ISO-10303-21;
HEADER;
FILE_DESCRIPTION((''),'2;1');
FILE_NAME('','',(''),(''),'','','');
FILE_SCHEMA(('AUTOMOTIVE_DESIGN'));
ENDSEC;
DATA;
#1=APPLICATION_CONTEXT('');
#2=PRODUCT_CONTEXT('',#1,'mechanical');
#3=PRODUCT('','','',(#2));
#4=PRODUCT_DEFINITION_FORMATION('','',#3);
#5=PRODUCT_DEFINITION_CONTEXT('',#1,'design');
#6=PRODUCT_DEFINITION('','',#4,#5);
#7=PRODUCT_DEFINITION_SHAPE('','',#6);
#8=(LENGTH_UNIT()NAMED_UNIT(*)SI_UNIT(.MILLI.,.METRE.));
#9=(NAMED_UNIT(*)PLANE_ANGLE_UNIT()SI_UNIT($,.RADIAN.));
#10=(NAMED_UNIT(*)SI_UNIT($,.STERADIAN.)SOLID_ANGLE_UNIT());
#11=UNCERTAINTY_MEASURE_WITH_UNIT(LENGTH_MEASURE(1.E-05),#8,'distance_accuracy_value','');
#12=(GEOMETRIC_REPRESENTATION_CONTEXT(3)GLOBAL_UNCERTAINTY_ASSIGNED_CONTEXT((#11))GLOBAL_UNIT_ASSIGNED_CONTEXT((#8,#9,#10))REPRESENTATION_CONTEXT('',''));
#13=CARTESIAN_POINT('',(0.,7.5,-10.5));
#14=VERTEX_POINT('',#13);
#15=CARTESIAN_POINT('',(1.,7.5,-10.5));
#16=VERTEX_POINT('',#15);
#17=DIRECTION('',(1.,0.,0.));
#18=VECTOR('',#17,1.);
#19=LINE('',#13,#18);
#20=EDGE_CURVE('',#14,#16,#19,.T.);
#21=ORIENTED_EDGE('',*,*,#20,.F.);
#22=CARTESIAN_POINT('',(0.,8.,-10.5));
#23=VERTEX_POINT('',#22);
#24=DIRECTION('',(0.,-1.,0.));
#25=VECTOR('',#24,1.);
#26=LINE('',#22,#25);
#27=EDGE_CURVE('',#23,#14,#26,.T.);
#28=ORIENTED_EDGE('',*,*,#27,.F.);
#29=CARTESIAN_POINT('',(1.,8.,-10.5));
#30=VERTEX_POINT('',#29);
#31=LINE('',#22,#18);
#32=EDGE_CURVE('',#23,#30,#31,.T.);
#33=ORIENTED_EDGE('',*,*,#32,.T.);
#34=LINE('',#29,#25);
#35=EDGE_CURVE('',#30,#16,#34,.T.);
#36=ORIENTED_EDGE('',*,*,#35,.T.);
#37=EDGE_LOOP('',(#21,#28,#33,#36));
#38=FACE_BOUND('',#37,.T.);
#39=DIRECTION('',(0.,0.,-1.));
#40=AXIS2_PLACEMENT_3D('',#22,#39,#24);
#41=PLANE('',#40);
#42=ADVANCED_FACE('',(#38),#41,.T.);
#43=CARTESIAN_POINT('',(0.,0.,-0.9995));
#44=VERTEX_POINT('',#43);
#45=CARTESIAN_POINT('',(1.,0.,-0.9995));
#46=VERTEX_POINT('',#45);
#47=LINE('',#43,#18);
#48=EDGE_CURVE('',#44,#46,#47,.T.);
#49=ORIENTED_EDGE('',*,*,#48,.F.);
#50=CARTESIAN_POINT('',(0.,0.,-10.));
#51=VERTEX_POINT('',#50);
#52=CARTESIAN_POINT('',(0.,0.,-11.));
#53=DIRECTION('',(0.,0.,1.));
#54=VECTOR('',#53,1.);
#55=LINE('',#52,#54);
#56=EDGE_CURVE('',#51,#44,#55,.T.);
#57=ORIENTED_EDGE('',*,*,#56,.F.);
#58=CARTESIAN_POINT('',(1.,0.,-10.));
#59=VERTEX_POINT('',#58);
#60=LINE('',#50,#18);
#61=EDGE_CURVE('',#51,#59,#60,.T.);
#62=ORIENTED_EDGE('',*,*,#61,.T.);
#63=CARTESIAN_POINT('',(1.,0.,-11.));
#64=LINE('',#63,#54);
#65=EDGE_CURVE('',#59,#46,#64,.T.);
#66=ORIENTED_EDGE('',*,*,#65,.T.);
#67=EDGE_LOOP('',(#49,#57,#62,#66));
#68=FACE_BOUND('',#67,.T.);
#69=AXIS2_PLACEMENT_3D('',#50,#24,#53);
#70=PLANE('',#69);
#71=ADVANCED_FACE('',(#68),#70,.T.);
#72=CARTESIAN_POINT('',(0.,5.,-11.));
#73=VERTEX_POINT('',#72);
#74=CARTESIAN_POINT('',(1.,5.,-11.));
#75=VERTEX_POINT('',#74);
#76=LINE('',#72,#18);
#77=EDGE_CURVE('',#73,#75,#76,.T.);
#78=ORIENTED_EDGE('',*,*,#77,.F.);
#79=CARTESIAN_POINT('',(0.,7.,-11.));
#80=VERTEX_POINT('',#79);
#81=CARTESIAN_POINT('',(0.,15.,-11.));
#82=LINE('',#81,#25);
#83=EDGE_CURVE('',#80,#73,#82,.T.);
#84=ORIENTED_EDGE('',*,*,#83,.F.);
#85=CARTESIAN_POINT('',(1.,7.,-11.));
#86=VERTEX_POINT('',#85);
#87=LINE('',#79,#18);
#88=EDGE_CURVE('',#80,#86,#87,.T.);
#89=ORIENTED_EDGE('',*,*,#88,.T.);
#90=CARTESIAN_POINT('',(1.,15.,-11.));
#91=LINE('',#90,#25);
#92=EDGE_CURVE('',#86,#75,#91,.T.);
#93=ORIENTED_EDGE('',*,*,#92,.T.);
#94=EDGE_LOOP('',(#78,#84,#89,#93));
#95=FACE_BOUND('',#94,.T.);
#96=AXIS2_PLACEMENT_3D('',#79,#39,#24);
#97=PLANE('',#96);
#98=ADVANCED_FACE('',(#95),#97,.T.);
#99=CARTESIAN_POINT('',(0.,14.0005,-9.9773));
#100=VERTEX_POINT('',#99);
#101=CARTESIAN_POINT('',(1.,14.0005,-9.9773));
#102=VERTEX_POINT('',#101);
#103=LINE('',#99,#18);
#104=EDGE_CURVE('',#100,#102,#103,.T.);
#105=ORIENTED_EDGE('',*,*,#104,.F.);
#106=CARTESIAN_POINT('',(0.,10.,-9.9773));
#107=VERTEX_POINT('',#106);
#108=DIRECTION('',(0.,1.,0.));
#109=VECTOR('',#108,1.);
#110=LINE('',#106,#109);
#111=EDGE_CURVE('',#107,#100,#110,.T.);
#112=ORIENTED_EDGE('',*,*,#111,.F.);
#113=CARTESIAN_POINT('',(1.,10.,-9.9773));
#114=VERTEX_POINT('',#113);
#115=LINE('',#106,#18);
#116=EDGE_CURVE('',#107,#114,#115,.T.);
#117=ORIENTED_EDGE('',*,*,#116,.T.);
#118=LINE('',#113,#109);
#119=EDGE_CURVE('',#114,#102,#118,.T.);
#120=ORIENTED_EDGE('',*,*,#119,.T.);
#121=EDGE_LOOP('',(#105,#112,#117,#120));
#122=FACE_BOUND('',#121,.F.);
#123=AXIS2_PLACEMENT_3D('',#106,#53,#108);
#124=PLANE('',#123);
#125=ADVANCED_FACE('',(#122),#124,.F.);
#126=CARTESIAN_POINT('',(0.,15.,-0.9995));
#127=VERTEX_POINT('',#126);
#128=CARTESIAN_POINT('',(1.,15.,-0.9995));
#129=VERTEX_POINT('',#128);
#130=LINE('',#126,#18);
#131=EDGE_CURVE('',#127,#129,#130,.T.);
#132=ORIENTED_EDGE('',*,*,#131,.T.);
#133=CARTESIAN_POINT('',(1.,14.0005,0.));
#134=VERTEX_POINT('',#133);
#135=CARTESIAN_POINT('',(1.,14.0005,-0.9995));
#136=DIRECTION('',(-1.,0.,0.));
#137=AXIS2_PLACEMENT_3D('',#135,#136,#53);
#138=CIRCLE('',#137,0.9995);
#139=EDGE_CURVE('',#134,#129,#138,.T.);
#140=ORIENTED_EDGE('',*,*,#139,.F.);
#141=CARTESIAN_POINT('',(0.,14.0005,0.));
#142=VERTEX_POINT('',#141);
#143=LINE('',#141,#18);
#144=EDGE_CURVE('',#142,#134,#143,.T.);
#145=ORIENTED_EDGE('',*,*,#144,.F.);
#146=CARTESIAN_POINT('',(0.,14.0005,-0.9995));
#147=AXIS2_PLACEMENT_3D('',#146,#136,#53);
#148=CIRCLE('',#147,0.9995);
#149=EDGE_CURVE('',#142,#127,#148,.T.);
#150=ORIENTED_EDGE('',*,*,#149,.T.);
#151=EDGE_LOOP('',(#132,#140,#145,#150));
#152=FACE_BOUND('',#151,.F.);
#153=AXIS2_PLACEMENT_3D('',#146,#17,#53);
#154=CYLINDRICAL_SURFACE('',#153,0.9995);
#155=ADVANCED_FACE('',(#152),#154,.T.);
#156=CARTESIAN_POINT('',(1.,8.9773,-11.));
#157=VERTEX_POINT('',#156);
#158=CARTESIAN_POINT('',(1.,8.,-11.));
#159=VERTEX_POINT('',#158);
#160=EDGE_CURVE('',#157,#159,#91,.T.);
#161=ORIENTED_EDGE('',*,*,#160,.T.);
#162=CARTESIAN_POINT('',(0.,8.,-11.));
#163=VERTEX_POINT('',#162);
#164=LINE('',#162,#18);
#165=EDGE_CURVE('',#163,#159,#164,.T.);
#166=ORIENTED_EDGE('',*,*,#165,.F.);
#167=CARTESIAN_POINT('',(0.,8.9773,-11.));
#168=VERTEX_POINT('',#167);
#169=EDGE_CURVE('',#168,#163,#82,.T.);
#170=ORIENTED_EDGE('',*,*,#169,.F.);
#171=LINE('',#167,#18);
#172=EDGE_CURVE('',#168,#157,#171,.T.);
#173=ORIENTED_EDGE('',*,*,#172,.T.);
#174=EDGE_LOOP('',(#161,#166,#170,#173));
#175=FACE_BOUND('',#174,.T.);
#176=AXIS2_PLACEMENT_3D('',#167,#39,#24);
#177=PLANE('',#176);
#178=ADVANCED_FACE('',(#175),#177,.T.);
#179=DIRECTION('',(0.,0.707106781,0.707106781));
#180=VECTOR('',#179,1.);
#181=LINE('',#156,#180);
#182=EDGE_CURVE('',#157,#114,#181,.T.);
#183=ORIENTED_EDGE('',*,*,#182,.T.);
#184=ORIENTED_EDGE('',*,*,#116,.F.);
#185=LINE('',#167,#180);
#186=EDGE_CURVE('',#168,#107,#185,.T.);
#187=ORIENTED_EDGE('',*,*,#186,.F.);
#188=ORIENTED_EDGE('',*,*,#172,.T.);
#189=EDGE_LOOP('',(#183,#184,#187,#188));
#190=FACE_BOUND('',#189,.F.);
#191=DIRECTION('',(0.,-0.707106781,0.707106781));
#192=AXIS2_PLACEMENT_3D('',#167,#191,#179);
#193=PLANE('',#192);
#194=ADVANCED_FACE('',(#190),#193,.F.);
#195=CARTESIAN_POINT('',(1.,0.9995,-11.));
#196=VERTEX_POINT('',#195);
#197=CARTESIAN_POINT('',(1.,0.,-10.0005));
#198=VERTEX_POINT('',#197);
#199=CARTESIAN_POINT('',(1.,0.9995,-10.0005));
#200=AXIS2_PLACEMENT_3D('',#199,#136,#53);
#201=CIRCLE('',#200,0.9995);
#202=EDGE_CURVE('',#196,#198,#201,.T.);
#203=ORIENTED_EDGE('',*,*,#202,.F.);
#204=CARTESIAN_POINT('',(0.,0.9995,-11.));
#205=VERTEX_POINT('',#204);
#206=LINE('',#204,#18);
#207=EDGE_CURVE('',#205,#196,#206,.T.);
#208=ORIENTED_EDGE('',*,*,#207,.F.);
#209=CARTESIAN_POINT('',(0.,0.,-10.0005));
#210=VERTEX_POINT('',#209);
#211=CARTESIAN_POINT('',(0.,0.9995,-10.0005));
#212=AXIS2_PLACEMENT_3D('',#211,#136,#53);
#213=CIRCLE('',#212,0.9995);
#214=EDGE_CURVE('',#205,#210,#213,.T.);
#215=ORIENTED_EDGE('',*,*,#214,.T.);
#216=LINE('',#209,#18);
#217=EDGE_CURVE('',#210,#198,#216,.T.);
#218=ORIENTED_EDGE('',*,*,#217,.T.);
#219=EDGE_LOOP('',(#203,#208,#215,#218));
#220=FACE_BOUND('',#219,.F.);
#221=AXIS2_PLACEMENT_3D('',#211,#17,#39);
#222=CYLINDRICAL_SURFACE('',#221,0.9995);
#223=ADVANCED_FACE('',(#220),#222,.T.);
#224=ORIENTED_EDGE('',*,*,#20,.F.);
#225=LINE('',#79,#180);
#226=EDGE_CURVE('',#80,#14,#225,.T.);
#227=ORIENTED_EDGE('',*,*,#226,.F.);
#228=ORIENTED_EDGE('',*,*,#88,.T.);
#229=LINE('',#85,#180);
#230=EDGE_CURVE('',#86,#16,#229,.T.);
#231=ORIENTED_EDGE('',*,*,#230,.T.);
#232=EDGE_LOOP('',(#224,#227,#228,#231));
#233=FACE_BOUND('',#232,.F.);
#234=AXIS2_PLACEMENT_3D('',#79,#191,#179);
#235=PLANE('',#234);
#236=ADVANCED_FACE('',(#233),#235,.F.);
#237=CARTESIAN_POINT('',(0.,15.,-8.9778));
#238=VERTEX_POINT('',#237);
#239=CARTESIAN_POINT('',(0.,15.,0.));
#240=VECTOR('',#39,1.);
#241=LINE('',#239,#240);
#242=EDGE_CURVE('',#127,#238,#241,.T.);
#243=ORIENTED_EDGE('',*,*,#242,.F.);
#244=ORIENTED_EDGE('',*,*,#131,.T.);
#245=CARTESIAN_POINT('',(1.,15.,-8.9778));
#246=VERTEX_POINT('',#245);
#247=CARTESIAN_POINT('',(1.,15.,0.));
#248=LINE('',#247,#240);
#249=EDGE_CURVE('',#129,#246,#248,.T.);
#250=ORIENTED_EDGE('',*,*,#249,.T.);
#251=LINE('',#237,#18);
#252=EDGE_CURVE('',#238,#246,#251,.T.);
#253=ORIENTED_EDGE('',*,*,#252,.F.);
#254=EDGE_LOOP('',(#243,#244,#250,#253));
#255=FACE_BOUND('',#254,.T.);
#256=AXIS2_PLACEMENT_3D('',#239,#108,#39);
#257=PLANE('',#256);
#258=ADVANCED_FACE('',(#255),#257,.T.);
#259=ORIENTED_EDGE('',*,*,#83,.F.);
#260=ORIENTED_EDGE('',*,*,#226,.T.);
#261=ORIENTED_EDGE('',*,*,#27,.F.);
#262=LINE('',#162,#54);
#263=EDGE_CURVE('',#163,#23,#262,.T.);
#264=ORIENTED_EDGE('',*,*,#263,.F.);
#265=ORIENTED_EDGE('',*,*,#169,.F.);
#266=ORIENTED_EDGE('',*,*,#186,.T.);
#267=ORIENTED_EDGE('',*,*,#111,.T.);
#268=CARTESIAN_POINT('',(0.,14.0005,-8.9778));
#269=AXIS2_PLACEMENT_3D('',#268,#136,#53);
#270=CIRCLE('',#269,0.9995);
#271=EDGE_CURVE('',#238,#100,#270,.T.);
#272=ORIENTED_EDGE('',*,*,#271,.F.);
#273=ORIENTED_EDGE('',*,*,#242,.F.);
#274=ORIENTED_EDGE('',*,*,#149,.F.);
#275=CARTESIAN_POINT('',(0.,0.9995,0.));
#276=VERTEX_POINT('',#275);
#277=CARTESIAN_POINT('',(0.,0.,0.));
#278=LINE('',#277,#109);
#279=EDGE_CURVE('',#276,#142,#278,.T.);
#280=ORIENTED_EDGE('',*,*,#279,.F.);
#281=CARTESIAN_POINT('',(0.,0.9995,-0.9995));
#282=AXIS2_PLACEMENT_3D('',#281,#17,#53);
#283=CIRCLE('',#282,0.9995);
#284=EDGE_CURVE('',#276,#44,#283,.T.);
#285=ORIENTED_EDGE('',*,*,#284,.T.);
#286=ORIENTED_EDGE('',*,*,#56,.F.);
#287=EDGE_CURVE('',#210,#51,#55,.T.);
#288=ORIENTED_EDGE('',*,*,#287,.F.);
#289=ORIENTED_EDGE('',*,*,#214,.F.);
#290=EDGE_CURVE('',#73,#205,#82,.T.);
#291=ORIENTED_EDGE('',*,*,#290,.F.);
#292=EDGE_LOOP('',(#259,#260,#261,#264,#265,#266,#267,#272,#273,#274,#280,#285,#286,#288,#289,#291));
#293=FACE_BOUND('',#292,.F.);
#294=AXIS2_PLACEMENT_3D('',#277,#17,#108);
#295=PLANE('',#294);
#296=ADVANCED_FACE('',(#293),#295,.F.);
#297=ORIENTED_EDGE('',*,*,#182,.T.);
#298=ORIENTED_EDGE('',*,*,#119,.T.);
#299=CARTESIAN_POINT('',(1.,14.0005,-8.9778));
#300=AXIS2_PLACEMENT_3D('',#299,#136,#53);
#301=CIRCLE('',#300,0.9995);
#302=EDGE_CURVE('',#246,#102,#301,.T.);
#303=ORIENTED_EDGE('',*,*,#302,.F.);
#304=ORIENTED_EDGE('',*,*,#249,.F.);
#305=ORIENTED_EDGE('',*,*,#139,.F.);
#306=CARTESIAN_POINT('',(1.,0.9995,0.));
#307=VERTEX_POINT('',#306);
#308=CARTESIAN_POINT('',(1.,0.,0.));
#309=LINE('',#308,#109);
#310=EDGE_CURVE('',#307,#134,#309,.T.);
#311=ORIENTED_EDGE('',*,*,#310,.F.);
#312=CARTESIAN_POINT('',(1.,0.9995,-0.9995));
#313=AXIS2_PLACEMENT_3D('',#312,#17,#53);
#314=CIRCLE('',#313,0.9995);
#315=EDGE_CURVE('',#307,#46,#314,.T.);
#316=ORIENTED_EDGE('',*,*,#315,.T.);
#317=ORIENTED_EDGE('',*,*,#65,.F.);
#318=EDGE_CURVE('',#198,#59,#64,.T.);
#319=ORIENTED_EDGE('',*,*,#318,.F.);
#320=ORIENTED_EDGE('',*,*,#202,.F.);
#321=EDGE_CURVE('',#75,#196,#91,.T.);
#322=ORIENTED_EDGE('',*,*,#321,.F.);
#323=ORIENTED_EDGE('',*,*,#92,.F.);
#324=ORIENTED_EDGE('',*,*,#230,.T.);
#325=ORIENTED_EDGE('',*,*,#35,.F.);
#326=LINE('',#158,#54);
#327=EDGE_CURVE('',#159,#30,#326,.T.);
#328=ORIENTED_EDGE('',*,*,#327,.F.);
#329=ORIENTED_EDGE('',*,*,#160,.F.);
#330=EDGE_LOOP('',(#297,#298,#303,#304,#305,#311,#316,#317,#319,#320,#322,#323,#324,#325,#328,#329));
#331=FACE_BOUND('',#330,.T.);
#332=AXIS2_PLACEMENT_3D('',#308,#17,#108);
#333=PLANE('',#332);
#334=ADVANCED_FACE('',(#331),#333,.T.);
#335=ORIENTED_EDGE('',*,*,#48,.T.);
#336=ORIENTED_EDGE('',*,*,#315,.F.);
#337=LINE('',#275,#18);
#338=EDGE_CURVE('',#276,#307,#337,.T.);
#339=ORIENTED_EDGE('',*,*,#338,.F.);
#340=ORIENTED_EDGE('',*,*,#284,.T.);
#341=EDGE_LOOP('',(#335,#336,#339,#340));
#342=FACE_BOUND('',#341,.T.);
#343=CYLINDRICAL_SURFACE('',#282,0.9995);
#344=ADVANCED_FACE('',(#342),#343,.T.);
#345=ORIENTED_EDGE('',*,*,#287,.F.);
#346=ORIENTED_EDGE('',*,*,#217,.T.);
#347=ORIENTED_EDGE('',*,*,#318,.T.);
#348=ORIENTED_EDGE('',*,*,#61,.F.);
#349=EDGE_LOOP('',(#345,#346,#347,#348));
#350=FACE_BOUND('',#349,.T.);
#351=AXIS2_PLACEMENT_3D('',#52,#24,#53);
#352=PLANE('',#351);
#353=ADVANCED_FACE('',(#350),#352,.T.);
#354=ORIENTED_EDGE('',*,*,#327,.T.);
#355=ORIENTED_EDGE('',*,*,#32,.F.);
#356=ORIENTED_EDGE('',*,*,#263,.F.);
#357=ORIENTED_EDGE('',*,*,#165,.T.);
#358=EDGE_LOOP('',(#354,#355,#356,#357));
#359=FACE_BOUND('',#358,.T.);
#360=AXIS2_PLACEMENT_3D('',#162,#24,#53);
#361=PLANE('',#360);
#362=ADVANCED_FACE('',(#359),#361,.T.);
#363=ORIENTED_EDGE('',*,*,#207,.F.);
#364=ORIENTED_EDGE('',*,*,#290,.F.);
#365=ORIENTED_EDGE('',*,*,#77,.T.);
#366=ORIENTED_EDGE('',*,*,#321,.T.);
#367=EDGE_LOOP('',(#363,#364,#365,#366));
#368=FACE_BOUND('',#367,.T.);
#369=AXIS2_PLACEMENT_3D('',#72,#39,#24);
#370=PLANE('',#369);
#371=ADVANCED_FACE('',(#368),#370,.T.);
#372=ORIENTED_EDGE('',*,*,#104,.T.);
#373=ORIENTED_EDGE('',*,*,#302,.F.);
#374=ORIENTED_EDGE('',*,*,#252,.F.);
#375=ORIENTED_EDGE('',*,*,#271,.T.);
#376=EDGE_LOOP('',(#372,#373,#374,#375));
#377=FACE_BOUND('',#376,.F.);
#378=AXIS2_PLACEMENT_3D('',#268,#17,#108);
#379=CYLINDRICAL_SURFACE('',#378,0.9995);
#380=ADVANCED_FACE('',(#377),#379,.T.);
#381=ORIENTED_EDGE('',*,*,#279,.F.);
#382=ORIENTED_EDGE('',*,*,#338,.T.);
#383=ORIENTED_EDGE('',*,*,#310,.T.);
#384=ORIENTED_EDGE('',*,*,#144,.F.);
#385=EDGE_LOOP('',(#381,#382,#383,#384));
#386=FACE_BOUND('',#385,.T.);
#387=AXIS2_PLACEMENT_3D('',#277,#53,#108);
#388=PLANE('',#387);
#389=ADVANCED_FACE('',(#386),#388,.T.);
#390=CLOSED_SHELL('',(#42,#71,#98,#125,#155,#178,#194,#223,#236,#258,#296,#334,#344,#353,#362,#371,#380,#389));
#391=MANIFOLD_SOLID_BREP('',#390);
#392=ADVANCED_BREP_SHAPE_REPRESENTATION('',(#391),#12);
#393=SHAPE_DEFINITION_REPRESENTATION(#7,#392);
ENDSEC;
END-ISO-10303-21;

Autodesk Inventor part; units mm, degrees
ref_plane "YZ Plane" through (0, 0, 0) normal (1, 0, 0) x (0, 1, 0)
ref_plane "XZ Plane" through (0, 0, 0) normal (0, 1, 0) x (-1, 0, 0)
ref_plane "XY Plane" through (0, 0, 0) normal (0, 0, 1) x (1, 0, 0)
sketch "스케치1" plane through (0, 0, 0) normal (1, 0, 0) x (0, 1, 0)
  line L0 (0, 0) -> (15, 0)
  line L1 (15, 0) -> (15, -11)
  line L2 (15, -11) -> (0, -11)
  line L3 (0, -11) -> (0, 0)
  line L4 (15, -11) -> (8.9773, -11)
  line L5 (10, -9.9773) -> (15, -9.9773)
  line L6 (15, -9.9773) -> (15, -11)
  line L7 (0, -11) -> (5, -11)
  line L8 (0, -10) -> (0, -11)
  line L9 (5, -11) -> (7, -11)
  line L10 (7, -11) -> (8, -11)
  line L11 (8, -11) -> (8, -10.5)
  line L12 (8.9773, -11) -> (10, -9.9773)
  line L13 (8.9773, -11) -> (10.4236, -11) construction
  line L14 (7, -11) -> (7.5, -10.5)
  line L15 (8, -10.5) -> (7.5, -10.5)
  dimension "d0" = 15
  dimension "d1" = 11
  dimension "d8" = 45
  dimension "d9" = 5
extrude "돌출1" add sketch "스케치1" along normal blind 1 contours L0 L1 L5 L12 L2 L11 L15 L14 L3
fillet "모깎기1" radius 1 4 edges at (0.5, 15, -9.9773) (0.5, 15, 0) (0.5, 0, -11) (0.5, 0, 0)
sketch "스케치2" plane through (1, 0, 0) normal (1, 0, 0) x (0, 0, -1)
  arc A0 (0, 1) -> (1, 0) centre (1, 1) ccw projected
  line L0 (1, 0) -> (10, 0) projected
  arc A1 (10, 0) -> (11, 1) centre (10, 1) ccw projected
  line L1 (11, 1) -> (11, 7) projected
  line L2 (11, 7) -> (10.5, 7.5) projected
  line L3 (10.5, 7.5) -> (10.5, 8) projected
  line L4 (10.5, 8) -> (11, 8) projected
  line L5 (11, 8) -> (11, 8.9773) projected
  line L6 (11, 8.9773) -> (9.9773, 10) projected
  line L7 (9.9773, 10) -> (9.9773, 14) projected
  arc A2 (9.9773, 14) -> (8.9773, 15) centre (8.9773, 14) ccw projected
  line L8 (8.9773, 15) -> (1, 15) projected
  arc A3 (1, 15) -> (0, 14) centre (1, 14) ccw projected
  line L9 (0, 14) -> (0, 1) projected
  line L10 (-0.1139, -0.2414) -> (-0.1139, 15.1589) construction
  line L11 (-0.1139, 15.1589) -> (11.0874, 15.1589) construction
  line L12 (11.0874, 15.1589) -> (11.0874, -0.2414) construction
  line L13 (11.0874, -0.2414) -> (-0.1139, -0.2414) construction
  point P0 (0, 0)
decal "전사1"
properties part number "microsd"
